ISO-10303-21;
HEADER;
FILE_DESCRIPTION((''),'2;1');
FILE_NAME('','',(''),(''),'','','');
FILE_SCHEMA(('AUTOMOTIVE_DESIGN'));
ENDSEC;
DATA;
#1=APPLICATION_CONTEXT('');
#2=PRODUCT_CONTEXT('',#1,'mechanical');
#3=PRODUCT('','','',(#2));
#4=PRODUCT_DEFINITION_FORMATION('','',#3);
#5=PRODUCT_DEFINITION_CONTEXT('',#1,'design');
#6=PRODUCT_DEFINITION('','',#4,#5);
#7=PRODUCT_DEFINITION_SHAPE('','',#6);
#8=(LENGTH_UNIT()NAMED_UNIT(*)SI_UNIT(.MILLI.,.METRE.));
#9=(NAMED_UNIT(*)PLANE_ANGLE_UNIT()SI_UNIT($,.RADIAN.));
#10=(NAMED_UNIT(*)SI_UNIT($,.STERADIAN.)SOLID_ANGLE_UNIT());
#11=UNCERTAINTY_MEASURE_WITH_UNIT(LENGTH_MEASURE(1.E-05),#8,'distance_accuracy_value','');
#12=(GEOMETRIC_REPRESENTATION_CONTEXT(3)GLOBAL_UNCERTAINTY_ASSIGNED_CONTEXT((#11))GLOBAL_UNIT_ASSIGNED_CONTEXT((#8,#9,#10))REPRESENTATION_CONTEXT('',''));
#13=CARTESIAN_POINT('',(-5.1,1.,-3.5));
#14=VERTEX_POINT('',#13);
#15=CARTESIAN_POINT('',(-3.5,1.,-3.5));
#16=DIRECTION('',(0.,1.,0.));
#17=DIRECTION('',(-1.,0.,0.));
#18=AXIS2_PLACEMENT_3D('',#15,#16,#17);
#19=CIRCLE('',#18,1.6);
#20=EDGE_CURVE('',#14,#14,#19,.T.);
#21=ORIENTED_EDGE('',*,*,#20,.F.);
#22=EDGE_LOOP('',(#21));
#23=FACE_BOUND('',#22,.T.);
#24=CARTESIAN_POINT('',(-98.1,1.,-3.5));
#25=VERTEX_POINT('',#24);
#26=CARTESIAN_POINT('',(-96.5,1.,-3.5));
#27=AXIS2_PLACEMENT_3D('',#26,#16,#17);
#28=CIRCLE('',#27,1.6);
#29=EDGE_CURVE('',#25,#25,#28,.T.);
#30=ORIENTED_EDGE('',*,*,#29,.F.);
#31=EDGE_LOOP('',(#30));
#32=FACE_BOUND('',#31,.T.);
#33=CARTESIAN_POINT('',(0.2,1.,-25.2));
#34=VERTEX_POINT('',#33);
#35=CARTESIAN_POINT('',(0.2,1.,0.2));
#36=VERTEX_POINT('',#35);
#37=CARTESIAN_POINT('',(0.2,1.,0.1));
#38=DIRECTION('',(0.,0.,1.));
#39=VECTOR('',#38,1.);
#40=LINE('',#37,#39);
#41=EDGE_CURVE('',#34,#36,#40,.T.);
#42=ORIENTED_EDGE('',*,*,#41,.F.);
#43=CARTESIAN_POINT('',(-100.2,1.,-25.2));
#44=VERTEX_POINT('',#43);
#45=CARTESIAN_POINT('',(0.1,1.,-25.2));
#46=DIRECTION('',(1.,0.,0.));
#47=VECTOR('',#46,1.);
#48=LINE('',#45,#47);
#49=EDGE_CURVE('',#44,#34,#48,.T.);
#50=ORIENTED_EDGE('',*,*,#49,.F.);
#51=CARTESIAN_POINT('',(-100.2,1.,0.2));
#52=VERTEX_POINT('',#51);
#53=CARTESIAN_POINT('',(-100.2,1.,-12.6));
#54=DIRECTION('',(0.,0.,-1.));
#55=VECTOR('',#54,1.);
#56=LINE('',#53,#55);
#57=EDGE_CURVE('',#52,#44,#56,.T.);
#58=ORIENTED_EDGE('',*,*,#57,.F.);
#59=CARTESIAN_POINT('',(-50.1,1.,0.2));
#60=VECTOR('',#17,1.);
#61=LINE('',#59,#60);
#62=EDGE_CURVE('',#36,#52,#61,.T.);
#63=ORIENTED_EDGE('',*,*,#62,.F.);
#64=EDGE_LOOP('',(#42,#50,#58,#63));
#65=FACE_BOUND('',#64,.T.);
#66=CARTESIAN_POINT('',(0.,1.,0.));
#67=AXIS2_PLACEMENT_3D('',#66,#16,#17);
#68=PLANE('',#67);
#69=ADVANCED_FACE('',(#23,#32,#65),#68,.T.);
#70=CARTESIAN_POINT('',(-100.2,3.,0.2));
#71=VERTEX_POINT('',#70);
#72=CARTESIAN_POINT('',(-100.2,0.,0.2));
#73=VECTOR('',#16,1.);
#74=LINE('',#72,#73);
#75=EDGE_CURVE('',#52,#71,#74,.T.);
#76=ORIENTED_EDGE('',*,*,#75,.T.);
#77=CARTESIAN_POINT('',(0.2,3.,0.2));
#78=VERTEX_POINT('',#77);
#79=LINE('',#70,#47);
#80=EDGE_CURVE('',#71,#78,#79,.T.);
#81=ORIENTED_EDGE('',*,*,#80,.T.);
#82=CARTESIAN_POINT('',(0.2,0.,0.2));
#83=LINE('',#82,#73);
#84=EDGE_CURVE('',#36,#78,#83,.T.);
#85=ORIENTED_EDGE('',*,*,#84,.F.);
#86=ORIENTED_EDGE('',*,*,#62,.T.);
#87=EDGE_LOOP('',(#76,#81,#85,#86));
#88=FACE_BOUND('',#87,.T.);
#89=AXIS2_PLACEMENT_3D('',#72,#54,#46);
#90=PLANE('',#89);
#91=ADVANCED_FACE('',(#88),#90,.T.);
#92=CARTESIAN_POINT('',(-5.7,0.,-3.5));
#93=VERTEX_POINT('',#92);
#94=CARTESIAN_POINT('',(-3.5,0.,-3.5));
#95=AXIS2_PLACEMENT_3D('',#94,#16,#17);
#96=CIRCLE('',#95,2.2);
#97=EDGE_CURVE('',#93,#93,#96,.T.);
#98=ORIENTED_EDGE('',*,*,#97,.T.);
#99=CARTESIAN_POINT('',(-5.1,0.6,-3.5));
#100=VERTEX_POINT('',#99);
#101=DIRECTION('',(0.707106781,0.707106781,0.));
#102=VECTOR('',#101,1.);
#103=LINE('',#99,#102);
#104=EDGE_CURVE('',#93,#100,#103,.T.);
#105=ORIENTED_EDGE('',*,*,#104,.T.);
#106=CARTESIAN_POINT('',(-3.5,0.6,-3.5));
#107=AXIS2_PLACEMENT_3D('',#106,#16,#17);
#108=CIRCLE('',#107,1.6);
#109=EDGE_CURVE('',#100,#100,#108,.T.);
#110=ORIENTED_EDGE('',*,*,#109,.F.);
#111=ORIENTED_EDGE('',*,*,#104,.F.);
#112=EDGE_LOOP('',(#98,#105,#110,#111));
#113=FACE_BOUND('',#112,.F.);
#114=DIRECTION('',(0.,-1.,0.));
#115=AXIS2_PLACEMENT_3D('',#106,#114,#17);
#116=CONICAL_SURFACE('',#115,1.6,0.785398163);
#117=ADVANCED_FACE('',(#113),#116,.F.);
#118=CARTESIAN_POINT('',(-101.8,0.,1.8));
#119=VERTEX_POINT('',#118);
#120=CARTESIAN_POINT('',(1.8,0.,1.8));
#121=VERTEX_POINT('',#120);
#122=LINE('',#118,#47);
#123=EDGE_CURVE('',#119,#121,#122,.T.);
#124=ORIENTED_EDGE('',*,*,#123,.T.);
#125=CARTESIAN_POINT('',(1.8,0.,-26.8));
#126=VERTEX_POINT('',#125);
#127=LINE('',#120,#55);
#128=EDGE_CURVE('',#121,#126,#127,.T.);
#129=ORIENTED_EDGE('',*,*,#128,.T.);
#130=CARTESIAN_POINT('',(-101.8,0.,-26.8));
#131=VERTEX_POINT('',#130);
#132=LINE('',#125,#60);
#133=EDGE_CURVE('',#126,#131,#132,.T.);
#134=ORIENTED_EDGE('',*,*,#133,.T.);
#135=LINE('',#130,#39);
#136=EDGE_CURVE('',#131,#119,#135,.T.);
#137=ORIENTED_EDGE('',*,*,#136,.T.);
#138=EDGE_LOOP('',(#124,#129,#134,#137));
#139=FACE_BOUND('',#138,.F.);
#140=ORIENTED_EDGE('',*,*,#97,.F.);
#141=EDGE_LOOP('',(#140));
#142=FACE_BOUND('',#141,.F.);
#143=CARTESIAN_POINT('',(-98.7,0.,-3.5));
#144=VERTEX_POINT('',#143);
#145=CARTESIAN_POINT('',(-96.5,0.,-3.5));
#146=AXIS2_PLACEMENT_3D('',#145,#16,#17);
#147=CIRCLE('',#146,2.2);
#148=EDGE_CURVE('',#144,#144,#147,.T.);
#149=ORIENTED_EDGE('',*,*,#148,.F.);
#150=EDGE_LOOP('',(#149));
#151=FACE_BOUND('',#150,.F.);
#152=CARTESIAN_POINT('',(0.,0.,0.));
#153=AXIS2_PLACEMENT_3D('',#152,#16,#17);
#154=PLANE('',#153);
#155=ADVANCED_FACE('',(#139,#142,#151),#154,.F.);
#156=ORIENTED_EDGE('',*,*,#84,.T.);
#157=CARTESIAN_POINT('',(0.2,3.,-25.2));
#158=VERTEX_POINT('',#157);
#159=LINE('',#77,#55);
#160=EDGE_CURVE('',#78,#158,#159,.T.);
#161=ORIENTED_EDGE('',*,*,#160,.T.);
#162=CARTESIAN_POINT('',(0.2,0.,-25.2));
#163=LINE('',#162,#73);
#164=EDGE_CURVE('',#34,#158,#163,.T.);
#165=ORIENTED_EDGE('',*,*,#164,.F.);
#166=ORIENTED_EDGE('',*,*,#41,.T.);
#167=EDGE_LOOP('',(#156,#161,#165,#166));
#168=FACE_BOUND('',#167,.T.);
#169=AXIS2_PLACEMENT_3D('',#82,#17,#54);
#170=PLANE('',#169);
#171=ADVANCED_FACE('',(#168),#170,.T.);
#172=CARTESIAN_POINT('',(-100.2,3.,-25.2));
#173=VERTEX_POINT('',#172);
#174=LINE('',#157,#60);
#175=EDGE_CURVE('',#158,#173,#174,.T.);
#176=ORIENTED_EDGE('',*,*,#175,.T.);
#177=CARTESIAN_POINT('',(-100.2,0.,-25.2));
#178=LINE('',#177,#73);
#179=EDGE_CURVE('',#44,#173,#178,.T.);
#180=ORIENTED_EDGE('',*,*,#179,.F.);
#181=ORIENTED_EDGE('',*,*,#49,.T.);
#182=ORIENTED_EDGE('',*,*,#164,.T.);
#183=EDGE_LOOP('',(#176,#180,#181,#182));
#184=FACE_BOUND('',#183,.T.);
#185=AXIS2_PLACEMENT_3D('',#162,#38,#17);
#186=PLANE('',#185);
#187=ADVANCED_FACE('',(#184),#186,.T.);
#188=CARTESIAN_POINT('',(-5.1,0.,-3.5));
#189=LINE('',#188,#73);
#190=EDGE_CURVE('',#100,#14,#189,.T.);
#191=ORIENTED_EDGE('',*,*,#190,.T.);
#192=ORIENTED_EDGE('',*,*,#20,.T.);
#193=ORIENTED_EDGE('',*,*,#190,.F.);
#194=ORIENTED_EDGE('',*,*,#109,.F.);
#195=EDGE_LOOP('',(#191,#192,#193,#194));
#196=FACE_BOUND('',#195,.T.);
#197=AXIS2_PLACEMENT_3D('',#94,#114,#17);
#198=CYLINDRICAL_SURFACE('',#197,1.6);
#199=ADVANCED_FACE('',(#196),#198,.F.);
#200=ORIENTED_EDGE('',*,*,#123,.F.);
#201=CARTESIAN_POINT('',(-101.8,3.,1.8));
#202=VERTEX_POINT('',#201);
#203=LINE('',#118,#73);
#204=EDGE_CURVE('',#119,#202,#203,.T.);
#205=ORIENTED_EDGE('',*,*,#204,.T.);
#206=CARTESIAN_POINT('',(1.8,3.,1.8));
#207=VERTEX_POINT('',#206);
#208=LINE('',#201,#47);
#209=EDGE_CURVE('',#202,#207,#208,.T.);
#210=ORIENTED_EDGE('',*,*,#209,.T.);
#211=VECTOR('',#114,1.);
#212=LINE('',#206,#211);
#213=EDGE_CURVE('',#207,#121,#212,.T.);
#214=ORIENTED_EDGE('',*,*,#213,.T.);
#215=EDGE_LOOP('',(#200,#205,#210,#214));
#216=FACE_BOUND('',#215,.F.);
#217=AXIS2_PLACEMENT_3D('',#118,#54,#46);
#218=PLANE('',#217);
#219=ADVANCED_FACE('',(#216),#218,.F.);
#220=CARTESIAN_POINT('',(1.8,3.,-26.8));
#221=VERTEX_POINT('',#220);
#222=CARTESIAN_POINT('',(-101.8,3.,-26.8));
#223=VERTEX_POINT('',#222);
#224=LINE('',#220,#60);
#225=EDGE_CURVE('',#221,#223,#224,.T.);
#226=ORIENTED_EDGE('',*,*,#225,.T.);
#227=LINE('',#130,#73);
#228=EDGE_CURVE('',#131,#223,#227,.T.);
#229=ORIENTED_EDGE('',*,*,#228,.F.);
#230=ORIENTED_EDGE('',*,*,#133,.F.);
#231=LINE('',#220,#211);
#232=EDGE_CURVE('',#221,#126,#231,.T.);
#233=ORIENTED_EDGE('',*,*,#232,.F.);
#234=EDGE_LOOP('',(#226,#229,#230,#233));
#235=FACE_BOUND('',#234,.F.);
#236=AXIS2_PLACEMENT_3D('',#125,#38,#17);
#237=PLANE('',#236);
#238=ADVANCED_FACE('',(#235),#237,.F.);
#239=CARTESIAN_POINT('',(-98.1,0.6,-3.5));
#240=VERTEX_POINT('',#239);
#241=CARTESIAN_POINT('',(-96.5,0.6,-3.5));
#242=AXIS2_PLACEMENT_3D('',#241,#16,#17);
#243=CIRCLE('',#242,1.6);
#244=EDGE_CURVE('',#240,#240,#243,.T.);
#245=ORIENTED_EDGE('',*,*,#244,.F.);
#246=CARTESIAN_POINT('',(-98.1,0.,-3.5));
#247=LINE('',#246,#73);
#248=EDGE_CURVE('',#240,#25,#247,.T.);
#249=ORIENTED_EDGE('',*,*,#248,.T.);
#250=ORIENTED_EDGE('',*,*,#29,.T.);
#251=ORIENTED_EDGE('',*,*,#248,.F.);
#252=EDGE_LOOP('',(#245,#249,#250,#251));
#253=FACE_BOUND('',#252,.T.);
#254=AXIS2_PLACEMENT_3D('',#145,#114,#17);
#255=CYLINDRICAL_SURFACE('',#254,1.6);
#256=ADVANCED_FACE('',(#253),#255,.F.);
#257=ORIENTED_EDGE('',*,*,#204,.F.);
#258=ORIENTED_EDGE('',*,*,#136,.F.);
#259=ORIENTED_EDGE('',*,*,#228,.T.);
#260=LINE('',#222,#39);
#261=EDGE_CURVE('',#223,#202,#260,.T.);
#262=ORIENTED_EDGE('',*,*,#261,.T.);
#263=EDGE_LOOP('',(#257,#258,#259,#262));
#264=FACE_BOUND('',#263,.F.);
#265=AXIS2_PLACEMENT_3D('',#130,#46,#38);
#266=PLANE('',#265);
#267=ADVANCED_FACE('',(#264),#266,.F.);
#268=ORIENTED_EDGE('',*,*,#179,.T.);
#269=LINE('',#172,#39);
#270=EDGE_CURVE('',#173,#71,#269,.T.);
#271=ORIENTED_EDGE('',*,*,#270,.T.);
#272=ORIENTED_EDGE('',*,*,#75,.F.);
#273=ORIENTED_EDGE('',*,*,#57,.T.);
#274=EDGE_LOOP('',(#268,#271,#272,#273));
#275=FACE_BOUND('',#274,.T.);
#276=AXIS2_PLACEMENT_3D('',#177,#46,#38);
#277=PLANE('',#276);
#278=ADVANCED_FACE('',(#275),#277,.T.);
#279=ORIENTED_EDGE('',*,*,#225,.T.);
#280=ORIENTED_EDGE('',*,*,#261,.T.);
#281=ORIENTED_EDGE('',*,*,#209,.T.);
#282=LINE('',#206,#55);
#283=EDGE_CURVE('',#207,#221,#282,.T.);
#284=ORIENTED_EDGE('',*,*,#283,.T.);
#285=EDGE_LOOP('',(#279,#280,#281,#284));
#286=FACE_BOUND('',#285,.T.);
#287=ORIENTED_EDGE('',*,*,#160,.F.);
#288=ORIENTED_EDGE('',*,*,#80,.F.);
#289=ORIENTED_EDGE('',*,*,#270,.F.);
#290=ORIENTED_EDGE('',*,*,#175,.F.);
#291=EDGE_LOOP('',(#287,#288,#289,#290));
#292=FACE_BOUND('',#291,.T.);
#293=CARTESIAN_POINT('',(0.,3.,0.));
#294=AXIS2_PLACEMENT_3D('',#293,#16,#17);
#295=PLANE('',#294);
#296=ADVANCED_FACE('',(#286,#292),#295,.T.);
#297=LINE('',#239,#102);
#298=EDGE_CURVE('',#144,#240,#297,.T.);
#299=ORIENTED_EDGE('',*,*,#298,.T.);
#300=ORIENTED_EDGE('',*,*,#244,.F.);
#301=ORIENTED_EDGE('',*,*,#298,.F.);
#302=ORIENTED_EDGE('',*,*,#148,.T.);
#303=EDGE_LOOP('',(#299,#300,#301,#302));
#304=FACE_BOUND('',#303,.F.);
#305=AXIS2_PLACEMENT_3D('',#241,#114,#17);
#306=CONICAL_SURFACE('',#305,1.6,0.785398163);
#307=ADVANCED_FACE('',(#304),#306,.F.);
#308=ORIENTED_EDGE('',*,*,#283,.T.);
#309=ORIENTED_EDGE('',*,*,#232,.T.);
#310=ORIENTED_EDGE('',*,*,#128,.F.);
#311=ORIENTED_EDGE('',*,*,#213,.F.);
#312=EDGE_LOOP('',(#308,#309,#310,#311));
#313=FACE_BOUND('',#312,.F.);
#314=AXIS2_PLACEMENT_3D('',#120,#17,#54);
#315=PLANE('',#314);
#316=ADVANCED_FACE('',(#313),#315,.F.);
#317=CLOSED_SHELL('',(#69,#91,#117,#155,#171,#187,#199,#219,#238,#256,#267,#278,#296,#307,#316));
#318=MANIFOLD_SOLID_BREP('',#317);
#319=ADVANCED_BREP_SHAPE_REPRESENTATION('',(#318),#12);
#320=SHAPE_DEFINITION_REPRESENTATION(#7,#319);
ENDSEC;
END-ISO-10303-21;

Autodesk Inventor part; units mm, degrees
ref_plane "YZ Plane" through (0, 0, 0) normal (1, 0, 0) x (0, 1, 0)
ref_plane "XZ Plane" through (0, 0, 0) normal (0, 1, 0) x (-1, 0, 0)
ref_plane "XY Plane" through (0, 0, 0) normal (0, 0, 1) x (1, 0, 0)
sketch "Szkic1" plane through (0, 0, 0) normal (0, 1, 0) x (-1, 0, 0)
  circle A0 centre (3.5, -3.5) radius 1.6
  circle A1 centre (96.5, -3.5) radius 1.6
  line L0 (100, 0) -> (100, -25)
  line L1 (100, -25) -> (0, -25)
  line L2 (0, -25) -> (0, 0)
  line L3 (0, 0) -> (100, 0)
  line L4 (100.2, -25.2) -> (100.2, 0.2)
  line L5 (100.2, 0.2) -> (-0.2, 0.2)
  line L6 (-0.2, 0.2) -> (-0.2, -25.2)
  line L7 (-0.2, -25.2) -> (100.2, -25.2)
  line L8 (101.8, -26.8) -> (101.8, 1.8)
  line L9 (101.8, 1.8) -> (-1.8, 1.8)
  line L10 (-1.8, 1.8) -> (-1.8, -26.8)
  line L11 (-1.8, -26.8) -> (101.8, -26.8)
  dimension "d0" = 0.2
  dimension "d1" = 1.6
extrude "Wyciągnięcie proste1" add sketch "Szkic1" along normal blind 1 contours L0 L1 L2 L3 | L7 L6 L5 L4 | L11 L10 L9 L8
extrude "Wyciągnięcie proste2" add sketch "Szkic1" along normal blind 3 contours L11 L10 L9 L8
chamfer "Faza1" distance 0.6 angle 45 2 edges at (-1.9, 0, -3.5) (-94.9, 0, -3.5)
properties part number "forma_noz"
